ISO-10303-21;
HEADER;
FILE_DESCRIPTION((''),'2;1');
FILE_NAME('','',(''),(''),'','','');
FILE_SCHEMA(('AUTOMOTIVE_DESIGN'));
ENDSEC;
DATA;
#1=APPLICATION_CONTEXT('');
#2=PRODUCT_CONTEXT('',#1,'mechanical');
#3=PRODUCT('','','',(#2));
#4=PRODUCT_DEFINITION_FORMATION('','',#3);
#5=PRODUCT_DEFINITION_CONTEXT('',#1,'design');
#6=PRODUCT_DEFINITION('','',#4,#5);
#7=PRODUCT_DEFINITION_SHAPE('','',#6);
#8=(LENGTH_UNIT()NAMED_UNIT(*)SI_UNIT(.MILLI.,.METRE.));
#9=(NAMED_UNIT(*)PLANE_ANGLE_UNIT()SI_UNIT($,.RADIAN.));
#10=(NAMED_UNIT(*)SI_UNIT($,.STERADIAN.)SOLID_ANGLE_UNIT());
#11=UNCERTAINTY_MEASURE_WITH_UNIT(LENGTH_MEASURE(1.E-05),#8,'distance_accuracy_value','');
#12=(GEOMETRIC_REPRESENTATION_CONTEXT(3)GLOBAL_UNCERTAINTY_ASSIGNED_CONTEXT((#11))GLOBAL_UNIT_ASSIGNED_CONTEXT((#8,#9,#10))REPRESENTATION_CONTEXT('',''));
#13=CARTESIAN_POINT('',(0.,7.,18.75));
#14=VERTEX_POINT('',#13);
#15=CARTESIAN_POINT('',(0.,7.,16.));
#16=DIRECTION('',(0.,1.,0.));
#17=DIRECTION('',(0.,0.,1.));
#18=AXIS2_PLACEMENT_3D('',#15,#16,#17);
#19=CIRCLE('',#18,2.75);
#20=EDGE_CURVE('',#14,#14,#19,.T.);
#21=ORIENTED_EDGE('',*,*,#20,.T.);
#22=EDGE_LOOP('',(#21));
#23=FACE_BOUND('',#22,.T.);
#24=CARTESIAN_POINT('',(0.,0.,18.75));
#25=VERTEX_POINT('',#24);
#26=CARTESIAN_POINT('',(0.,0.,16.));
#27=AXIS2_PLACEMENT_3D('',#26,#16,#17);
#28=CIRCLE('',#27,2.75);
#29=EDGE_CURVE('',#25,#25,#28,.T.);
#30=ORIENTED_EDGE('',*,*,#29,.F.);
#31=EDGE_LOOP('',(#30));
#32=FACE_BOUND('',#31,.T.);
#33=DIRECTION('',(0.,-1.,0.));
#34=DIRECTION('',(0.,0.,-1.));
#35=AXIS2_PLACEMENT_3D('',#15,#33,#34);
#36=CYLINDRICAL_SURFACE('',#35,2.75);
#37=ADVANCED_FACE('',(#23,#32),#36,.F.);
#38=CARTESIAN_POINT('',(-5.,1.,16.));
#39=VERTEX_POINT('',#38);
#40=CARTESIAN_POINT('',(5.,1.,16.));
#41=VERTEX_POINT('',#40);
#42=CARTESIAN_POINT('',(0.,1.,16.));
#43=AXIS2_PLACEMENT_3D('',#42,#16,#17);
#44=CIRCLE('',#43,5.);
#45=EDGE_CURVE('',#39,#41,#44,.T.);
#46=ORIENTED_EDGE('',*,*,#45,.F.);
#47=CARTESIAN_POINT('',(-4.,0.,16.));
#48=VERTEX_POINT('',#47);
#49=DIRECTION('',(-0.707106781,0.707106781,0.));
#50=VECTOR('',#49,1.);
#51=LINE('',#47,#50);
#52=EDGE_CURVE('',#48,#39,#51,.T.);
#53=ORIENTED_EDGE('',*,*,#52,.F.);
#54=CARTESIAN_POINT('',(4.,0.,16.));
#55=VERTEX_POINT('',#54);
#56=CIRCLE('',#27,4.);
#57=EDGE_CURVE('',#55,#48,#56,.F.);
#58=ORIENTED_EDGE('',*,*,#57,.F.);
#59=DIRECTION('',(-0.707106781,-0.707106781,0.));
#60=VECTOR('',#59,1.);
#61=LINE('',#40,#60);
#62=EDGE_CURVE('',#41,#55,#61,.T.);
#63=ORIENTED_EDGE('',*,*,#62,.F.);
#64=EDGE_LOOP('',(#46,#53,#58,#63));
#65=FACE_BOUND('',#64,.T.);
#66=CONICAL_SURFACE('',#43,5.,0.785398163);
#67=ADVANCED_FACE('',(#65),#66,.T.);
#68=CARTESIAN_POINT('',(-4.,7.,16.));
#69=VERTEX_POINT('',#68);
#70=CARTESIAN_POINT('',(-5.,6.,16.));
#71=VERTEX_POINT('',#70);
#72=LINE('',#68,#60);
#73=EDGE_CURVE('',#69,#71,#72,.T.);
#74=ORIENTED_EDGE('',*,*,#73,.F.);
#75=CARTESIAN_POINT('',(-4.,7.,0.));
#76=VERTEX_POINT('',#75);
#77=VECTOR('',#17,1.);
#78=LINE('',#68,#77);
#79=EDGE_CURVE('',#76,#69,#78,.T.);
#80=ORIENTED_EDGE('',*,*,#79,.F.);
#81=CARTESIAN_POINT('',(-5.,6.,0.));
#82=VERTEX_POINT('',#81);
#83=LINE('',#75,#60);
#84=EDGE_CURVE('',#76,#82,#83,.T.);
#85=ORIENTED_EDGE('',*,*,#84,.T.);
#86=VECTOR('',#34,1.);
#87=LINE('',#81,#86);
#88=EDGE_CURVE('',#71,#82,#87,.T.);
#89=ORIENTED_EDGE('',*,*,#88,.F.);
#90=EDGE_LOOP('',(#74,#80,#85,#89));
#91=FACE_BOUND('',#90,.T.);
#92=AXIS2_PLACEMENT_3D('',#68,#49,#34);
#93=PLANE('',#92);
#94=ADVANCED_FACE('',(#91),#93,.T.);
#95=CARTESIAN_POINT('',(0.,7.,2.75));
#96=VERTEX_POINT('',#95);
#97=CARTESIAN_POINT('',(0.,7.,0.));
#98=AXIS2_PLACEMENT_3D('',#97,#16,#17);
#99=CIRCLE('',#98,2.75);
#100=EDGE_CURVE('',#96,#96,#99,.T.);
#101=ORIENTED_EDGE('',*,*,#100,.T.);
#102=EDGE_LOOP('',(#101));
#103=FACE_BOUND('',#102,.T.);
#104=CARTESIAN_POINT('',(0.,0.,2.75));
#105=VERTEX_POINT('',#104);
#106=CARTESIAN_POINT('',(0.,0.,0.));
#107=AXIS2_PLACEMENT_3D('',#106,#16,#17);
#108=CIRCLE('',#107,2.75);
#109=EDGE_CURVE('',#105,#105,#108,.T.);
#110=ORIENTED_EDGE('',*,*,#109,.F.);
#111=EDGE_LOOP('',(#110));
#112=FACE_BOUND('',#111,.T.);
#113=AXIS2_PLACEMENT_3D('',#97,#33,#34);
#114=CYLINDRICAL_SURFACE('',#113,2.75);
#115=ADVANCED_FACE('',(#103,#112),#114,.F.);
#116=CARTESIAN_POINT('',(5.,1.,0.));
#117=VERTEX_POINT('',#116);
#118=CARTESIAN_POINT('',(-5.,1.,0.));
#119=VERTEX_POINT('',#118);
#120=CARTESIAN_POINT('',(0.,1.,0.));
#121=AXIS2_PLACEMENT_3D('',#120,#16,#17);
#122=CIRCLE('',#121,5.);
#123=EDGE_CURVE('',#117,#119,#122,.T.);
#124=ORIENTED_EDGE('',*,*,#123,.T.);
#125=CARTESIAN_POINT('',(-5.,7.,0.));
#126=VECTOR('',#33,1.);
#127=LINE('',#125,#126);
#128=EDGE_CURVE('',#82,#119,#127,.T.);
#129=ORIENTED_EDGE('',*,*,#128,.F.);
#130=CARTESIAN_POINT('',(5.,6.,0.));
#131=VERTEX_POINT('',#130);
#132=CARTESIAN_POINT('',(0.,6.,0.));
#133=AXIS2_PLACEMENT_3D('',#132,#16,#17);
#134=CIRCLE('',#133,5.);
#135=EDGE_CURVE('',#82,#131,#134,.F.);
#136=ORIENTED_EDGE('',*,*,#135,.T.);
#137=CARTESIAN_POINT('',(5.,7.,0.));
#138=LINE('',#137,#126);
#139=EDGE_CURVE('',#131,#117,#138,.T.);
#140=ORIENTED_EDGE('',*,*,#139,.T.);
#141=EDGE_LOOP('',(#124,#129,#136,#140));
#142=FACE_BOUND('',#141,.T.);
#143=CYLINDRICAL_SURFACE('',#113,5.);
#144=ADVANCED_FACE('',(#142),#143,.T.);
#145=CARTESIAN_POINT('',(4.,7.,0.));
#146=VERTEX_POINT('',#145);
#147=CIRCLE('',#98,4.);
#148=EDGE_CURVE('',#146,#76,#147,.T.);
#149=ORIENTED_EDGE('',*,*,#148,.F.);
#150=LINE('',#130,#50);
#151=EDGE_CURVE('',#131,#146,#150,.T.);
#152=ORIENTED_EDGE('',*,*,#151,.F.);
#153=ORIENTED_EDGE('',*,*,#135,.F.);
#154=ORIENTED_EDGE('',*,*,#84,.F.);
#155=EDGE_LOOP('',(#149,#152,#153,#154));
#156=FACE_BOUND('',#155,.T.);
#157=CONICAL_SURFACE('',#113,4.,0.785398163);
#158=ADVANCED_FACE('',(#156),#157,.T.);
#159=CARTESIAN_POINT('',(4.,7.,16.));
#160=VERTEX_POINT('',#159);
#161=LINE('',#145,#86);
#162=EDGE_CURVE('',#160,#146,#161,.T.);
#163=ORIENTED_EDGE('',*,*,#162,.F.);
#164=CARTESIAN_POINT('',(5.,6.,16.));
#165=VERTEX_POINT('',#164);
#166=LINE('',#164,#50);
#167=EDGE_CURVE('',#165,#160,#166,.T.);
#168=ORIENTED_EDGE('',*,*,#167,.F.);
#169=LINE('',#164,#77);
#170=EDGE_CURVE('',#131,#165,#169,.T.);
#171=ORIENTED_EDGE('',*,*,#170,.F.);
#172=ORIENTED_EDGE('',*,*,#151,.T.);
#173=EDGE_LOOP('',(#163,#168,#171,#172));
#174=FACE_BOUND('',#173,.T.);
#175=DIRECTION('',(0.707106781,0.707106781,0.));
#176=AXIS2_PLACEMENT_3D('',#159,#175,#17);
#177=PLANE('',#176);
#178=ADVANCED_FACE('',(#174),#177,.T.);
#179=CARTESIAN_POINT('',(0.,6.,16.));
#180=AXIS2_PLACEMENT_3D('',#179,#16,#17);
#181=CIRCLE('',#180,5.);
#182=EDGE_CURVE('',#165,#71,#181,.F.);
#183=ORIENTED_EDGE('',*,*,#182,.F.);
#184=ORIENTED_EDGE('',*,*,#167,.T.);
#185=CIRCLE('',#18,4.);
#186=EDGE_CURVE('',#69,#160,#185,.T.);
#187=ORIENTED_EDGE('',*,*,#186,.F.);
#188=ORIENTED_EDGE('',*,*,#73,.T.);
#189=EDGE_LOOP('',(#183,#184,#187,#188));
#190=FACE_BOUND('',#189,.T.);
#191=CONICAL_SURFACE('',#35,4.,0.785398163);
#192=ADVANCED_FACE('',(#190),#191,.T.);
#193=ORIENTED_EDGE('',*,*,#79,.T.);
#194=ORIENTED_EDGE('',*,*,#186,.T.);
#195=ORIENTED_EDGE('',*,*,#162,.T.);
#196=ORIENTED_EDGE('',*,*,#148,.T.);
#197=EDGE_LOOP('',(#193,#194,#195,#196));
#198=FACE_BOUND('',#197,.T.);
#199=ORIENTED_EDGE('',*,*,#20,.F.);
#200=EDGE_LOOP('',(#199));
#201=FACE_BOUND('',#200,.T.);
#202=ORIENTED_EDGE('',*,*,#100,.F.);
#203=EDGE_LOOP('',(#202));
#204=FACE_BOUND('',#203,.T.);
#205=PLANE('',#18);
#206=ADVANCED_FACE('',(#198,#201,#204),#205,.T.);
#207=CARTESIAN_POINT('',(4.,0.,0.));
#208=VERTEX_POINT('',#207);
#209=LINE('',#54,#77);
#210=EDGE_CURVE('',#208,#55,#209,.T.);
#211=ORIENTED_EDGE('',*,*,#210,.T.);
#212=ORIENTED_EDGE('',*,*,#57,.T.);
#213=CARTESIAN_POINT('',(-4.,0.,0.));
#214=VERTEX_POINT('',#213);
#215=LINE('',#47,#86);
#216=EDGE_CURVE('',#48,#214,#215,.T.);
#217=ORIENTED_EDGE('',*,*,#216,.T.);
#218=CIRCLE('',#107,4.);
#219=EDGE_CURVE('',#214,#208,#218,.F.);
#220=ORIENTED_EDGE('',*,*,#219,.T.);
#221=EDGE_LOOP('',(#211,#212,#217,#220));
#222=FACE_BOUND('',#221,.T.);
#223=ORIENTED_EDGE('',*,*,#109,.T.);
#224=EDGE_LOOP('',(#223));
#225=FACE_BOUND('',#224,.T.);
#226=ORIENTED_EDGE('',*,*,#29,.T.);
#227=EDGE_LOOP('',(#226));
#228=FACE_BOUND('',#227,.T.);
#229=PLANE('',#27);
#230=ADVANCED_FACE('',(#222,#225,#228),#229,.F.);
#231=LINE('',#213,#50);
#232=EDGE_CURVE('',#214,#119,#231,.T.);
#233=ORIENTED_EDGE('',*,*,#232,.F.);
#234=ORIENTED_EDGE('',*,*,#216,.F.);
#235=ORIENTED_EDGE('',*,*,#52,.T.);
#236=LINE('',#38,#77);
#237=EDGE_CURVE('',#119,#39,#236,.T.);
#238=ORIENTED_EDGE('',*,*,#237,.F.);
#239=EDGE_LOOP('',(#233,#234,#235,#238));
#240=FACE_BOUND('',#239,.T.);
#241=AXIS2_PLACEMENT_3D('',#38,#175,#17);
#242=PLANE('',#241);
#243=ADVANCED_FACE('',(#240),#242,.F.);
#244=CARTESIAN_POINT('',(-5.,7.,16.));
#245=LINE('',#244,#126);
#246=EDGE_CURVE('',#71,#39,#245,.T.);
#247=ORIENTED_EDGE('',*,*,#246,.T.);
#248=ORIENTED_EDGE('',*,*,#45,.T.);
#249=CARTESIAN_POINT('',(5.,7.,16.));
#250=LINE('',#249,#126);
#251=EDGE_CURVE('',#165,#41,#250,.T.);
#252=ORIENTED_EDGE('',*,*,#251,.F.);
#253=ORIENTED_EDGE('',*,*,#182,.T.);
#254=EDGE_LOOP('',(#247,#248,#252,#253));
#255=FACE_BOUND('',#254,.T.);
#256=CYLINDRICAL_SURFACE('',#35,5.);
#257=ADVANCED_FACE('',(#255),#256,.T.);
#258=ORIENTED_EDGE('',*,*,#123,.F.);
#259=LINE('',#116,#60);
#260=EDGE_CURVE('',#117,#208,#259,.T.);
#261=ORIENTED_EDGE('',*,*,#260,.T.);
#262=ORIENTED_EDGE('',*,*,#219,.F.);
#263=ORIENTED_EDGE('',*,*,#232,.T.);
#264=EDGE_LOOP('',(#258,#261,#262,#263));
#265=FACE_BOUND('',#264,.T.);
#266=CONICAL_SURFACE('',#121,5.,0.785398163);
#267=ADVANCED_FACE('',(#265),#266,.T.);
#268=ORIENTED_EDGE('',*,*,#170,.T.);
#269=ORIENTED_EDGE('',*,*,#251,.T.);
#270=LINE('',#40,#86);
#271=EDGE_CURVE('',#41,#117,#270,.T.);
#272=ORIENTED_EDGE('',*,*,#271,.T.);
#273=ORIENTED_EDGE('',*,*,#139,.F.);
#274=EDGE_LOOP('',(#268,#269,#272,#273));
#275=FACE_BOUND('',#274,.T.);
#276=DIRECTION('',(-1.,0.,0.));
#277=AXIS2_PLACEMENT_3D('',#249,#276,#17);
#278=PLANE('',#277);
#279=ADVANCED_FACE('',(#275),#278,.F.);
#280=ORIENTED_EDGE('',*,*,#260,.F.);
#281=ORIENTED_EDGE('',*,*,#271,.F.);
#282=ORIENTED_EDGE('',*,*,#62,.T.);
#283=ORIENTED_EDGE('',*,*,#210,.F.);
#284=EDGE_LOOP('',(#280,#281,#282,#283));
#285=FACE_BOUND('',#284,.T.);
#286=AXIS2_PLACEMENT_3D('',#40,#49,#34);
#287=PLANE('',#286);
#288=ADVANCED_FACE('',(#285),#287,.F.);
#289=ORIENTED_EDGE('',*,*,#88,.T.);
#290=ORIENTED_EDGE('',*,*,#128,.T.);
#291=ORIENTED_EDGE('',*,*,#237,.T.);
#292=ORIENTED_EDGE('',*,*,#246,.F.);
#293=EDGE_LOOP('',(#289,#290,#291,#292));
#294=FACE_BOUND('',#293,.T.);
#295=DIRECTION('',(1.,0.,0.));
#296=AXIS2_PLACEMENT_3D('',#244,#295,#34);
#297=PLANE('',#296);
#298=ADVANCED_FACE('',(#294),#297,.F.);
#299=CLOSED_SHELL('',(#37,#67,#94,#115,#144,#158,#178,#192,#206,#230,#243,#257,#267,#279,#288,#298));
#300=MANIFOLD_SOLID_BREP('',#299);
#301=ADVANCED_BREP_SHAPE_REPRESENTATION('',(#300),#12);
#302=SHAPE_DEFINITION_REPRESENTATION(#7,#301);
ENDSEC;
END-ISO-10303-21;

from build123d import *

# Parameters (mm, degrees)
SKETCH_1_R      = 2.75
EXTRUDE_1_DEPTH = 7
CHAMFER_1_SIZE  = 1


with BuildPart() as part:
    # 草图1 → 凸台-拉伸1 (new body)
    with BuildSketch(Plane(origin=(0, 0, 0), x_dir=(1, 0, 0), z_dir=(0, 1, 0))):
        with BuildLine():
            Line((-5, -16), (-5, 0))
            ThreePointArc((-5, 0), (0, 5), (5, 0))
            Line((5, 0), (5, -16))
            ThreePointArc((5, -16), (0, -21), (-5, -16))
        make_face()
        with Locations(Location((0, 0, 0), (0, 0, 270))):
            Circle(SKETCH_1_R, mode=Mode.SUBTRACT)
        with Locations(Location((0, -16, 0), (0, 0, 270))):
            Circle(SKETCH_1_R, mode=Mode.SUBTRACT)
    extrude(amount=EXTRUDE_1_DEPTH)

    # 倒角1
    chamfer_1_edges = [part.edges().sort_by_distance(p)[0] for p in [
        (0, 7, -5),
        (-5, 7, 8),
        (0, 7, 21),
        (-5, 0, 8),
        (0, 0, -5),
        (5, 0, 8),
        (0, 0, 21),
        (5, 7, 8),
    ]]
    chamfer(chamfer_1_edges, length=CHAMFER_1_SIZE)


solid = part.part
